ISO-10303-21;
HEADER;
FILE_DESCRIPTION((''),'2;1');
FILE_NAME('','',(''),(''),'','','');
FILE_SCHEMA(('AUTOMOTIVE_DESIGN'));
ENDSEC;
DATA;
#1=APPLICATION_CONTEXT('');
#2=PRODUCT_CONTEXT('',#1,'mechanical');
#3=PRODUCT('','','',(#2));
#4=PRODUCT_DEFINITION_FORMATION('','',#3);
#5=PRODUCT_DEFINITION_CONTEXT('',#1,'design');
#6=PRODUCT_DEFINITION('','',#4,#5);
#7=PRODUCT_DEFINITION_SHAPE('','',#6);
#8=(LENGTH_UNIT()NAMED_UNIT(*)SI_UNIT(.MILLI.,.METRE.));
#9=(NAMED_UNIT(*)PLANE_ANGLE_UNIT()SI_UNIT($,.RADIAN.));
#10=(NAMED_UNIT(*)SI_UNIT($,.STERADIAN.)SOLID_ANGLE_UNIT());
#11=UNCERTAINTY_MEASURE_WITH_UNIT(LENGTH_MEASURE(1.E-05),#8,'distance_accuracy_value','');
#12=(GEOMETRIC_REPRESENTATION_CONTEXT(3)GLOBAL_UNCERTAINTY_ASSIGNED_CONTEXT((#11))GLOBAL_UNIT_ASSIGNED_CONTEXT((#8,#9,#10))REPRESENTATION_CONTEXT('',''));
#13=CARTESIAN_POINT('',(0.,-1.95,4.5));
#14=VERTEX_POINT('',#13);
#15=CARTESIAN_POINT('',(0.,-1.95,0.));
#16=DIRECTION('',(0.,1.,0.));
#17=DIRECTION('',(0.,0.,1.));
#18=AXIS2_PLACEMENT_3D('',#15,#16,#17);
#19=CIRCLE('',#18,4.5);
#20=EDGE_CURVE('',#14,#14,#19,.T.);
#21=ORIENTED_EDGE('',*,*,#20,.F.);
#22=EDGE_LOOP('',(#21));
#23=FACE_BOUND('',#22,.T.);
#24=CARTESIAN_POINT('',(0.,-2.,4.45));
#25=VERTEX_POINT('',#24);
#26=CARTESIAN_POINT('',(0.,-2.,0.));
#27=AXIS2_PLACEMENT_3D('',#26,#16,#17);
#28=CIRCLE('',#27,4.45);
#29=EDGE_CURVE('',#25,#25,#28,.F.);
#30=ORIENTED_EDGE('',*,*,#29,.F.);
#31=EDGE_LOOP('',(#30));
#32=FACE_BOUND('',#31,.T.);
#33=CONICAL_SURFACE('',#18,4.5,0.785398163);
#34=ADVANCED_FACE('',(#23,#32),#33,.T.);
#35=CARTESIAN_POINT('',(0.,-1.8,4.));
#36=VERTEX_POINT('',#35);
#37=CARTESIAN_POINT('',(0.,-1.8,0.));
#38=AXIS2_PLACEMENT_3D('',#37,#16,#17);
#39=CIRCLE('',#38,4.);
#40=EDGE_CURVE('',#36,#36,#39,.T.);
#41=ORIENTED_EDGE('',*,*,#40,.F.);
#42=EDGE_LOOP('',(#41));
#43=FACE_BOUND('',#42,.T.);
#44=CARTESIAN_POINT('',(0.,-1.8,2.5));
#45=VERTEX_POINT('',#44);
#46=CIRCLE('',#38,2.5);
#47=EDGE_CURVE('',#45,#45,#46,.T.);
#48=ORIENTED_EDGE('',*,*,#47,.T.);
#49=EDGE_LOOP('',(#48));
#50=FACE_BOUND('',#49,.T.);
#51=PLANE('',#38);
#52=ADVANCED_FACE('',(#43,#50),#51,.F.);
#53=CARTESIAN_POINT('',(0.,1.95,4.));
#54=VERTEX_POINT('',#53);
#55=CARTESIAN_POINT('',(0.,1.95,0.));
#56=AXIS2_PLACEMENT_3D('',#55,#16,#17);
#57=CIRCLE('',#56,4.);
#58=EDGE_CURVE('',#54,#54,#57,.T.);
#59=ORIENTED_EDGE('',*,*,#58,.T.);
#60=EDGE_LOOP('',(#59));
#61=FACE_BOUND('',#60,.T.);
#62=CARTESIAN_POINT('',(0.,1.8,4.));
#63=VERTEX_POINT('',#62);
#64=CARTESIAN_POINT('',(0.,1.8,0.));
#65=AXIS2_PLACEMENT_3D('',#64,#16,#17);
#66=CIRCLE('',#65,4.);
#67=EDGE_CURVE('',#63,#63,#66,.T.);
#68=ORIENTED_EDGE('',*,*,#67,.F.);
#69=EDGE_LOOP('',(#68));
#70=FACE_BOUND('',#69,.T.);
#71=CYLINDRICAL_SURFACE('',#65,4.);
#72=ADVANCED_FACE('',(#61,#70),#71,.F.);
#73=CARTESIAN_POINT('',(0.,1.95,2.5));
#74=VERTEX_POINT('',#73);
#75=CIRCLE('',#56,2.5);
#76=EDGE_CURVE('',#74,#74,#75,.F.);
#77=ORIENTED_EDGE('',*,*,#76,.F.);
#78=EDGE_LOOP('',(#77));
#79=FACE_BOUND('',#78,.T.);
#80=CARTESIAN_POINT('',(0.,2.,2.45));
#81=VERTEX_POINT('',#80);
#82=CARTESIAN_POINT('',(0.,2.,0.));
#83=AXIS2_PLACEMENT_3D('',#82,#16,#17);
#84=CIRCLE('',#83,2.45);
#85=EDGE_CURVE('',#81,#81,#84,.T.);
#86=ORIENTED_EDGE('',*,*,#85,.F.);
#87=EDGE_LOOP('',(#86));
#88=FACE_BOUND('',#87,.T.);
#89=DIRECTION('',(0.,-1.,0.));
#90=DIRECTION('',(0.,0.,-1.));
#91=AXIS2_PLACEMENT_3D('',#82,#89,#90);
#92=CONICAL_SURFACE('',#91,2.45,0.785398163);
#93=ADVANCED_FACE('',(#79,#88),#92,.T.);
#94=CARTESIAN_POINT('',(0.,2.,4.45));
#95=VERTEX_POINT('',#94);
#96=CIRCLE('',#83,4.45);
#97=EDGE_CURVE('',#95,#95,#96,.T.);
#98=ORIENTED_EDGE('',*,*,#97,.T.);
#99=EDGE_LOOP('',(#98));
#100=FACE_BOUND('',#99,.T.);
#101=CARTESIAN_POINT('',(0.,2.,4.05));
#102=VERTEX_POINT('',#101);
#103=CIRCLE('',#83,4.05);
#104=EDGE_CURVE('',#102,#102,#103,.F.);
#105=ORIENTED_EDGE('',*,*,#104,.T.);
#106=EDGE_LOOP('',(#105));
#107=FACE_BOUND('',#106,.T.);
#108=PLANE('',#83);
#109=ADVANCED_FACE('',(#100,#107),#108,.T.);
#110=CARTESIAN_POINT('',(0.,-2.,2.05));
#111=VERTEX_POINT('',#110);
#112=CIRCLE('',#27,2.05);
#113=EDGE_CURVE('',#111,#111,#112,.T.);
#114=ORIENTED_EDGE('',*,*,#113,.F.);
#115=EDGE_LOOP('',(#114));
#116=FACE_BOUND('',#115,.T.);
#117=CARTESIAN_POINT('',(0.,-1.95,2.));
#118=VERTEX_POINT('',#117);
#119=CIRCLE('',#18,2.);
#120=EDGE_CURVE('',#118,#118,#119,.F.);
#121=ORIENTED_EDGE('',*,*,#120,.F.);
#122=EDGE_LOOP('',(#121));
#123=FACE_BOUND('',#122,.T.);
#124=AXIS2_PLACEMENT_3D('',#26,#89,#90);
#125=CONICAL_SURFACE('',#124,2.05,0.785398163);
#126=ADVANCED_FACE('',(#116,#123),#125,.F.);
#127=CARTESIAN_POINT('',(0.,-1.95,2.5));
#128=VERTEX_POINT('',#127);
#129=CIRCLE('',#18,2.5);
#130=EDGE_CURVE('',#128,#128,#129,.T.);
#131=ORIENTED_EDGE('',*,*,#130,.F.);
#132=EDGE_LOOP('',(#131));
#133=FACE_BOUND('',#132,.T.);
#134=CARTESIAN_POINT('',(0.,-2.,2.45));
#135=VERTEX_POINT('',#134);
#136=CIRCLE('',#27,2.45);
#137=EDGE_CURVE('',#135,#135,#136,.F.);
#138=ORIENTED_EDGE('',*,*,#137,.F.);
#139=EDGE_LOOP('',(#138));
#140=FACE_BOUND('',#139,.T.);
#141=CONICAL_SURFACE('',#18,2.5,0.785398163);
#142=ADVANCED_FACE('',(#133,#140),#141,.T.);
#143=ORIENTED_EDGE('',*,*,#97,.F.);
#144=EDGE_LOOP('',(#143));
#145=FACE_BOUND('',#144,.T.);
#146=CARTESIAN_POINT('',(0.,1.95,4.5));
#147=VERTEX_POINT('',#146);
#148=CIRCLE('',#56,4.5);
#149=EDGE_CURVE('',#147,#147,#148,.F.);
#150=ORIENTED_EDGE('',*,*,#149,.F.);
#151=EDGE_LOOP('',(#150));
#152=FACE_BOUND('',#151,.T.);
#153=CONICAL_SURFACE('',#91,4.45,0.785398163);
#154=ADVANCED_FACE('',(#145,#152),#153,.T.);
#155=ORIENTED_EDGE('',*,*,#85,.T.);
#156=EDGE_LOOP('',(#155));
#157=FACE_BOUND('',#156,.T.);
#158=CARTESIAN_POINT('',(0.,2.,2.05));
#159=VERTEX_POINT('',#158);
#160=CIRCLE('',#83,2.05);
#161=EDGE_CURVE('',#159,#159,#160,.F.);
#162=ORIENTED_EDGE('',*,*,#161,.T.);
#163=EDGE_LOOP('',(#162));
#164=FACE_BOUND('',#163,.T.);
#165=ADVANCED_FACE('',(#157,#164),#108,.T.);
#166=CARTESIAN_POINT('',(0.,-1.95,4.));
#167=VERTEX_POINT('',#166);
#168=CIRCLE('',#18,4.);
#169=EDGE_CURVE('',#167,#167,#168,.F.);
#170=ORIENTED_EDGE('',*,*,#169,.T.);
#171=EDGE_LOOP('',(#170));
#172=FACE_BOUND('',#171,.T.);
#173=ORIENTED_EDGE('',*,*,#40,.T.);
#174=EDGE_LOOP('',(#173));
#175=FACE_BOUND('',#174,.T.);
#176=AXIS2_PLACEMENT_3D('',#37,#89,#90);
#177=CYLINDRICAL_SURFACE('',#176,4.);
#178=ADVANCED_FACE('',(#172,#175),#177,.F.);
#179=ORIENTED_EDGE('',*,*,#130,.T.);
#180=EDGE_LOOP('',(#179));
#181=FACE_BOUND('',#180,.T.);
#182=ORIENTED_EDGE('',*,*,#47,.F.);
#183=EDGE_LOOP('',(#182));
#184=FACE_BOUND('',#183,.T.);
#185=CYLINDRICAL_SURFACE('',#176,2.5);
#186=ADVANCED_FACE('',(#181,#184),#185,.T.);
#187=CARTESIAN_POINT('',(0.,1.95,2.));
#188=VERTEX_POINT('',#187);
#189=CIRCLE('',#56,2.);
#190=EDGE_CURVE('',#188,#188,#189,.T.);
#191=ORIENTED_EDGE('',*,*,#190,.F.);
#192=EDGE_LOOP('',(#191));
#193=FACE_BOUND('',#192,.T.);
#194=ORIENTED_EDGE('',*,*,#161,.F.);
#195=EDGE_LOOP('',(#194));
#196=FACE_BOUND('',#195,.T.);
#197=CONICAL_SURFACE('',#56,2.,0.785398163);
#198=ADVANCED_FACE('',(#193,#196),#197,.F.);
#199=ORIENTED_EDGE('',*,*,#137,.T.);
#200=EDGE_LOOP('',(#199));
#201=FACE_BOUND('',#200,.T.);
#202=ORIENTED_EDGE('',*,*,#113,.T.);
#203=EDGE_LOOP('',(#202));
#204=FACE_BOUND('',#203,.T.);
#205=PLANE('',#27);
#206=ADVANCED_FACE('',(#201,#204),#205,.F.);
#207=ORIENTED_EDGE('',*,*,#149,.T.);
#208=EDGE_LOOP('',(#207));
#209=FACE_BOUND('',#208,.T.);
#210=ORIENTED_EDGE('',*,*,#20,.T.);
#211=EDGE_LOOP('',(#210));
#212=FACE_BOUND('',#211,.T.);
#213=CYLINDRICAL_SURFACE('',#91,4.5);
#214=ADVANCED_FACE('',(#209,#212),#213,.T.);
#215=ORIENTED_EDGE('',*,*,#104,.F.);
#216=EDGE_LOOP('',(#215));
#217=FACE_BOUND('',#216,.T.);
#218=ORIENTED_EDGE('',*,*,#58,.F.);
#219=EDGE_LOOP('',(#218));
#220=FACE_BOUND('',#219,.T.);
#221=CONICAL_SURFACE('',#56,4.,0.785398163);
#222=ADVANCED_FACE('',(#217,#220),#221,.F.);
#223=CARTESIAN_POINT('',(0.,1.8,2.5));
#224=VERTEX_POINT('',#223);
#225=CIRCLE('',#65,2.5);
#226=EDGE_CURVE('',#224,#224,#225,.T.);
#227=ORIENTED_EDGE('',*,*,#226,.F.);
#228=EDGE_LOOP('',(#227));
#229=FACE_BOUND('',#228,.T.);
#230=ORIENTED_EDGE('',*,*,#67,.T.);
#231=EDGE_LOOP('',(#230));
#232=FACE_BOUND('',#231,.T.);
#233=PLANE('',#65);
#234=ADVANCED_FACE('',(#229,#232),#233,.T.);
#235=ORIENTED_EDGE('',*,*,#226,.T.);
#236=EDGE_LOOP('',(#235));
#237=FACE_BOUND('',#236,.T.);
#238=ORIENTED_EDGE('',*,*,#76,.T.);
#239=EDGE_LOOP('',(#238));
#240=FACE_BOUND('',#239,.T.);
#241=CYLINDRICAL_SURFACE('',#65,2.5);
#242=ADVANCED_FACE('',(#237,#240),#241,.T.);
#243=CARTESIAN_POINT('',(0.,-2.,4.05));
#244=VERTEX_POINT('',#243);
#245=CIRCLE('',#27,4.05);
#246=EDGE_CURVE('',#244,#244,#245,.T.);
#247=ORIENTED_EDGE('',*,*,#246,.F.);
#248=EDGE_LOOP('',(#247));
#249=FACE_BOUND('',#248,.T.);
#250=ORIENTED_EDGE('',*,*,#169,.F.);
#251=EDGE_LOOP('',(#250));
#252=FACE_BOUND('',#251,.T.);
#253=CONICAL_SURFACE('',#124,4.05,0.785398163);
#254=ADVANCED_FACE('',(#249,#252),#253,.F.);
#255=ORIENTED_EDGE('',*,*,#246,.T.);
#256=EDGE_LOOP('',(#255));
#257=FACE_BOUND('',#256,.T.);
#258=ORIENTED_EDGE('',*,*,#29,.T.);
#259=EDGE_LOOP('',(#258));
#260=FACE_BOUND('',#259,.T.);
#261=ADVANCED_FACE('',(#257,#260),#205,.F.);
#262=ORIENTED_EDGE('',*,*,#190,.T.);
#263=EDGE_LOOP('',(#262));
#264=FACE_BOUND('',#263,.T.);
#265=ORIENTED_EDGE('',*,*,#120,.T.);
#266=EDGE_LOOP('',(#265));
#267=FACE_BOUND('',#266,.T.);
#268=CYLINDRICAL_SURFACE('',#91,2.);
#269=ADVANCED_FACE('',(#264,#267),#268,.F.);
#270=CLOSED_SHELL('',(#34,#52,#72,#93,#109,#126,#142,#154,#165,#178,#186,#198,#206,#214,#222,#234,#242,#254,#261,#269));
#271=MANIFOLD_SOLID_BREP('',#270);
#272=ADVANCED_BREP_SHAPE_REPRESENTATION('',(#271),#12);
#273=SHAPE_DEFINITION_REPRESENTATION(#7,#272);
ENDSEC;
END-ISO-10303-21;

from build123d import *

# Parameters (mm, degrees)
SKETCH1_R           = 4.5
SKETCH1_R_2         = 2
BOSS_EXTRUDE1_DEPTH = 2
CUT_EXTRUDE1_START  = 2
SKETCH2_R           = 4
SKETCH2_R_2         = 2.5
CUT_EXTRUDE1_DEPTH  = 0.2
CUT_EXTRUDE3_START  = -2
SKETCH2_2_R         = 4
SKETCH2_2_R_2       = 2.5
CUT_EXTRUDE3_DEPTH  = 0.2
CHAMFER1_SIZE       = 0.05


with BuildPart() as part:
    # Sketch1 → Boss-Extrude1 (new body, symmetric)
    with BuildSketch(Plane(origin=(0, 0, 0), x_dir=(1, 0, 0), z_dir=(0, 1, 0))):
        Circle(SKETCH1_R)
        Circle(SKETCH1_R_2, mode=Mode.SUBTRACT)
    extrude(amount=BOSS_EXTRUDE1_DEPTH, both=True)

    # Sketch2 → Cut-Extrude1 (cut)
    with BuildSketch(Plane(origin=(0, 0, 0), x_dir=(1, 0, 0), z_dir=(0, 1, 0)).offset(CUT_EXTRUDE1_START)):
        Circle(SKETCH2_R)
        Circle(SKETCH2_R_2, mode=Mode.SUBTRACT)
    extrude(amount=-CUT_EXTRUDE1_DEPTH, mode=Mode.SUBTRACT)

    # Sketch2<2> → Cut-Extrude3 (cut)
    with BuildSketch(Plane(origin=(0, 0, 0), x_dir=(1, 0, 0), z_dir=(0, 1, 0)).offset(CUT_EXTRUDE3_START)):
        Circle(SKETCH2_2_R)
        Circle(SKETCH2_2_R_2, mode=Mode.SUBTRACT)
    extrude(amount=CUT_EXTRUDE3_DEPTH, mode=Mode.SUBTRACT)

    # Chamfer1
    chamfer1_edges = [part.edges().sort_by_distance(p)[0] for p in [
        (-4, 2, 0),
        (-2.5, 2, 0),
        (-2.5, -2, 0),
        (-4, -2, 0),
        (-4.5, -2, 0),
        (-4.5, 2, 0),
        (-2, -2, 0),
        (-2, 2, 0),
    ]]
    chamfer(chamfer1_edges, length=CHAMFER1_SIZE)


solid = part.part
